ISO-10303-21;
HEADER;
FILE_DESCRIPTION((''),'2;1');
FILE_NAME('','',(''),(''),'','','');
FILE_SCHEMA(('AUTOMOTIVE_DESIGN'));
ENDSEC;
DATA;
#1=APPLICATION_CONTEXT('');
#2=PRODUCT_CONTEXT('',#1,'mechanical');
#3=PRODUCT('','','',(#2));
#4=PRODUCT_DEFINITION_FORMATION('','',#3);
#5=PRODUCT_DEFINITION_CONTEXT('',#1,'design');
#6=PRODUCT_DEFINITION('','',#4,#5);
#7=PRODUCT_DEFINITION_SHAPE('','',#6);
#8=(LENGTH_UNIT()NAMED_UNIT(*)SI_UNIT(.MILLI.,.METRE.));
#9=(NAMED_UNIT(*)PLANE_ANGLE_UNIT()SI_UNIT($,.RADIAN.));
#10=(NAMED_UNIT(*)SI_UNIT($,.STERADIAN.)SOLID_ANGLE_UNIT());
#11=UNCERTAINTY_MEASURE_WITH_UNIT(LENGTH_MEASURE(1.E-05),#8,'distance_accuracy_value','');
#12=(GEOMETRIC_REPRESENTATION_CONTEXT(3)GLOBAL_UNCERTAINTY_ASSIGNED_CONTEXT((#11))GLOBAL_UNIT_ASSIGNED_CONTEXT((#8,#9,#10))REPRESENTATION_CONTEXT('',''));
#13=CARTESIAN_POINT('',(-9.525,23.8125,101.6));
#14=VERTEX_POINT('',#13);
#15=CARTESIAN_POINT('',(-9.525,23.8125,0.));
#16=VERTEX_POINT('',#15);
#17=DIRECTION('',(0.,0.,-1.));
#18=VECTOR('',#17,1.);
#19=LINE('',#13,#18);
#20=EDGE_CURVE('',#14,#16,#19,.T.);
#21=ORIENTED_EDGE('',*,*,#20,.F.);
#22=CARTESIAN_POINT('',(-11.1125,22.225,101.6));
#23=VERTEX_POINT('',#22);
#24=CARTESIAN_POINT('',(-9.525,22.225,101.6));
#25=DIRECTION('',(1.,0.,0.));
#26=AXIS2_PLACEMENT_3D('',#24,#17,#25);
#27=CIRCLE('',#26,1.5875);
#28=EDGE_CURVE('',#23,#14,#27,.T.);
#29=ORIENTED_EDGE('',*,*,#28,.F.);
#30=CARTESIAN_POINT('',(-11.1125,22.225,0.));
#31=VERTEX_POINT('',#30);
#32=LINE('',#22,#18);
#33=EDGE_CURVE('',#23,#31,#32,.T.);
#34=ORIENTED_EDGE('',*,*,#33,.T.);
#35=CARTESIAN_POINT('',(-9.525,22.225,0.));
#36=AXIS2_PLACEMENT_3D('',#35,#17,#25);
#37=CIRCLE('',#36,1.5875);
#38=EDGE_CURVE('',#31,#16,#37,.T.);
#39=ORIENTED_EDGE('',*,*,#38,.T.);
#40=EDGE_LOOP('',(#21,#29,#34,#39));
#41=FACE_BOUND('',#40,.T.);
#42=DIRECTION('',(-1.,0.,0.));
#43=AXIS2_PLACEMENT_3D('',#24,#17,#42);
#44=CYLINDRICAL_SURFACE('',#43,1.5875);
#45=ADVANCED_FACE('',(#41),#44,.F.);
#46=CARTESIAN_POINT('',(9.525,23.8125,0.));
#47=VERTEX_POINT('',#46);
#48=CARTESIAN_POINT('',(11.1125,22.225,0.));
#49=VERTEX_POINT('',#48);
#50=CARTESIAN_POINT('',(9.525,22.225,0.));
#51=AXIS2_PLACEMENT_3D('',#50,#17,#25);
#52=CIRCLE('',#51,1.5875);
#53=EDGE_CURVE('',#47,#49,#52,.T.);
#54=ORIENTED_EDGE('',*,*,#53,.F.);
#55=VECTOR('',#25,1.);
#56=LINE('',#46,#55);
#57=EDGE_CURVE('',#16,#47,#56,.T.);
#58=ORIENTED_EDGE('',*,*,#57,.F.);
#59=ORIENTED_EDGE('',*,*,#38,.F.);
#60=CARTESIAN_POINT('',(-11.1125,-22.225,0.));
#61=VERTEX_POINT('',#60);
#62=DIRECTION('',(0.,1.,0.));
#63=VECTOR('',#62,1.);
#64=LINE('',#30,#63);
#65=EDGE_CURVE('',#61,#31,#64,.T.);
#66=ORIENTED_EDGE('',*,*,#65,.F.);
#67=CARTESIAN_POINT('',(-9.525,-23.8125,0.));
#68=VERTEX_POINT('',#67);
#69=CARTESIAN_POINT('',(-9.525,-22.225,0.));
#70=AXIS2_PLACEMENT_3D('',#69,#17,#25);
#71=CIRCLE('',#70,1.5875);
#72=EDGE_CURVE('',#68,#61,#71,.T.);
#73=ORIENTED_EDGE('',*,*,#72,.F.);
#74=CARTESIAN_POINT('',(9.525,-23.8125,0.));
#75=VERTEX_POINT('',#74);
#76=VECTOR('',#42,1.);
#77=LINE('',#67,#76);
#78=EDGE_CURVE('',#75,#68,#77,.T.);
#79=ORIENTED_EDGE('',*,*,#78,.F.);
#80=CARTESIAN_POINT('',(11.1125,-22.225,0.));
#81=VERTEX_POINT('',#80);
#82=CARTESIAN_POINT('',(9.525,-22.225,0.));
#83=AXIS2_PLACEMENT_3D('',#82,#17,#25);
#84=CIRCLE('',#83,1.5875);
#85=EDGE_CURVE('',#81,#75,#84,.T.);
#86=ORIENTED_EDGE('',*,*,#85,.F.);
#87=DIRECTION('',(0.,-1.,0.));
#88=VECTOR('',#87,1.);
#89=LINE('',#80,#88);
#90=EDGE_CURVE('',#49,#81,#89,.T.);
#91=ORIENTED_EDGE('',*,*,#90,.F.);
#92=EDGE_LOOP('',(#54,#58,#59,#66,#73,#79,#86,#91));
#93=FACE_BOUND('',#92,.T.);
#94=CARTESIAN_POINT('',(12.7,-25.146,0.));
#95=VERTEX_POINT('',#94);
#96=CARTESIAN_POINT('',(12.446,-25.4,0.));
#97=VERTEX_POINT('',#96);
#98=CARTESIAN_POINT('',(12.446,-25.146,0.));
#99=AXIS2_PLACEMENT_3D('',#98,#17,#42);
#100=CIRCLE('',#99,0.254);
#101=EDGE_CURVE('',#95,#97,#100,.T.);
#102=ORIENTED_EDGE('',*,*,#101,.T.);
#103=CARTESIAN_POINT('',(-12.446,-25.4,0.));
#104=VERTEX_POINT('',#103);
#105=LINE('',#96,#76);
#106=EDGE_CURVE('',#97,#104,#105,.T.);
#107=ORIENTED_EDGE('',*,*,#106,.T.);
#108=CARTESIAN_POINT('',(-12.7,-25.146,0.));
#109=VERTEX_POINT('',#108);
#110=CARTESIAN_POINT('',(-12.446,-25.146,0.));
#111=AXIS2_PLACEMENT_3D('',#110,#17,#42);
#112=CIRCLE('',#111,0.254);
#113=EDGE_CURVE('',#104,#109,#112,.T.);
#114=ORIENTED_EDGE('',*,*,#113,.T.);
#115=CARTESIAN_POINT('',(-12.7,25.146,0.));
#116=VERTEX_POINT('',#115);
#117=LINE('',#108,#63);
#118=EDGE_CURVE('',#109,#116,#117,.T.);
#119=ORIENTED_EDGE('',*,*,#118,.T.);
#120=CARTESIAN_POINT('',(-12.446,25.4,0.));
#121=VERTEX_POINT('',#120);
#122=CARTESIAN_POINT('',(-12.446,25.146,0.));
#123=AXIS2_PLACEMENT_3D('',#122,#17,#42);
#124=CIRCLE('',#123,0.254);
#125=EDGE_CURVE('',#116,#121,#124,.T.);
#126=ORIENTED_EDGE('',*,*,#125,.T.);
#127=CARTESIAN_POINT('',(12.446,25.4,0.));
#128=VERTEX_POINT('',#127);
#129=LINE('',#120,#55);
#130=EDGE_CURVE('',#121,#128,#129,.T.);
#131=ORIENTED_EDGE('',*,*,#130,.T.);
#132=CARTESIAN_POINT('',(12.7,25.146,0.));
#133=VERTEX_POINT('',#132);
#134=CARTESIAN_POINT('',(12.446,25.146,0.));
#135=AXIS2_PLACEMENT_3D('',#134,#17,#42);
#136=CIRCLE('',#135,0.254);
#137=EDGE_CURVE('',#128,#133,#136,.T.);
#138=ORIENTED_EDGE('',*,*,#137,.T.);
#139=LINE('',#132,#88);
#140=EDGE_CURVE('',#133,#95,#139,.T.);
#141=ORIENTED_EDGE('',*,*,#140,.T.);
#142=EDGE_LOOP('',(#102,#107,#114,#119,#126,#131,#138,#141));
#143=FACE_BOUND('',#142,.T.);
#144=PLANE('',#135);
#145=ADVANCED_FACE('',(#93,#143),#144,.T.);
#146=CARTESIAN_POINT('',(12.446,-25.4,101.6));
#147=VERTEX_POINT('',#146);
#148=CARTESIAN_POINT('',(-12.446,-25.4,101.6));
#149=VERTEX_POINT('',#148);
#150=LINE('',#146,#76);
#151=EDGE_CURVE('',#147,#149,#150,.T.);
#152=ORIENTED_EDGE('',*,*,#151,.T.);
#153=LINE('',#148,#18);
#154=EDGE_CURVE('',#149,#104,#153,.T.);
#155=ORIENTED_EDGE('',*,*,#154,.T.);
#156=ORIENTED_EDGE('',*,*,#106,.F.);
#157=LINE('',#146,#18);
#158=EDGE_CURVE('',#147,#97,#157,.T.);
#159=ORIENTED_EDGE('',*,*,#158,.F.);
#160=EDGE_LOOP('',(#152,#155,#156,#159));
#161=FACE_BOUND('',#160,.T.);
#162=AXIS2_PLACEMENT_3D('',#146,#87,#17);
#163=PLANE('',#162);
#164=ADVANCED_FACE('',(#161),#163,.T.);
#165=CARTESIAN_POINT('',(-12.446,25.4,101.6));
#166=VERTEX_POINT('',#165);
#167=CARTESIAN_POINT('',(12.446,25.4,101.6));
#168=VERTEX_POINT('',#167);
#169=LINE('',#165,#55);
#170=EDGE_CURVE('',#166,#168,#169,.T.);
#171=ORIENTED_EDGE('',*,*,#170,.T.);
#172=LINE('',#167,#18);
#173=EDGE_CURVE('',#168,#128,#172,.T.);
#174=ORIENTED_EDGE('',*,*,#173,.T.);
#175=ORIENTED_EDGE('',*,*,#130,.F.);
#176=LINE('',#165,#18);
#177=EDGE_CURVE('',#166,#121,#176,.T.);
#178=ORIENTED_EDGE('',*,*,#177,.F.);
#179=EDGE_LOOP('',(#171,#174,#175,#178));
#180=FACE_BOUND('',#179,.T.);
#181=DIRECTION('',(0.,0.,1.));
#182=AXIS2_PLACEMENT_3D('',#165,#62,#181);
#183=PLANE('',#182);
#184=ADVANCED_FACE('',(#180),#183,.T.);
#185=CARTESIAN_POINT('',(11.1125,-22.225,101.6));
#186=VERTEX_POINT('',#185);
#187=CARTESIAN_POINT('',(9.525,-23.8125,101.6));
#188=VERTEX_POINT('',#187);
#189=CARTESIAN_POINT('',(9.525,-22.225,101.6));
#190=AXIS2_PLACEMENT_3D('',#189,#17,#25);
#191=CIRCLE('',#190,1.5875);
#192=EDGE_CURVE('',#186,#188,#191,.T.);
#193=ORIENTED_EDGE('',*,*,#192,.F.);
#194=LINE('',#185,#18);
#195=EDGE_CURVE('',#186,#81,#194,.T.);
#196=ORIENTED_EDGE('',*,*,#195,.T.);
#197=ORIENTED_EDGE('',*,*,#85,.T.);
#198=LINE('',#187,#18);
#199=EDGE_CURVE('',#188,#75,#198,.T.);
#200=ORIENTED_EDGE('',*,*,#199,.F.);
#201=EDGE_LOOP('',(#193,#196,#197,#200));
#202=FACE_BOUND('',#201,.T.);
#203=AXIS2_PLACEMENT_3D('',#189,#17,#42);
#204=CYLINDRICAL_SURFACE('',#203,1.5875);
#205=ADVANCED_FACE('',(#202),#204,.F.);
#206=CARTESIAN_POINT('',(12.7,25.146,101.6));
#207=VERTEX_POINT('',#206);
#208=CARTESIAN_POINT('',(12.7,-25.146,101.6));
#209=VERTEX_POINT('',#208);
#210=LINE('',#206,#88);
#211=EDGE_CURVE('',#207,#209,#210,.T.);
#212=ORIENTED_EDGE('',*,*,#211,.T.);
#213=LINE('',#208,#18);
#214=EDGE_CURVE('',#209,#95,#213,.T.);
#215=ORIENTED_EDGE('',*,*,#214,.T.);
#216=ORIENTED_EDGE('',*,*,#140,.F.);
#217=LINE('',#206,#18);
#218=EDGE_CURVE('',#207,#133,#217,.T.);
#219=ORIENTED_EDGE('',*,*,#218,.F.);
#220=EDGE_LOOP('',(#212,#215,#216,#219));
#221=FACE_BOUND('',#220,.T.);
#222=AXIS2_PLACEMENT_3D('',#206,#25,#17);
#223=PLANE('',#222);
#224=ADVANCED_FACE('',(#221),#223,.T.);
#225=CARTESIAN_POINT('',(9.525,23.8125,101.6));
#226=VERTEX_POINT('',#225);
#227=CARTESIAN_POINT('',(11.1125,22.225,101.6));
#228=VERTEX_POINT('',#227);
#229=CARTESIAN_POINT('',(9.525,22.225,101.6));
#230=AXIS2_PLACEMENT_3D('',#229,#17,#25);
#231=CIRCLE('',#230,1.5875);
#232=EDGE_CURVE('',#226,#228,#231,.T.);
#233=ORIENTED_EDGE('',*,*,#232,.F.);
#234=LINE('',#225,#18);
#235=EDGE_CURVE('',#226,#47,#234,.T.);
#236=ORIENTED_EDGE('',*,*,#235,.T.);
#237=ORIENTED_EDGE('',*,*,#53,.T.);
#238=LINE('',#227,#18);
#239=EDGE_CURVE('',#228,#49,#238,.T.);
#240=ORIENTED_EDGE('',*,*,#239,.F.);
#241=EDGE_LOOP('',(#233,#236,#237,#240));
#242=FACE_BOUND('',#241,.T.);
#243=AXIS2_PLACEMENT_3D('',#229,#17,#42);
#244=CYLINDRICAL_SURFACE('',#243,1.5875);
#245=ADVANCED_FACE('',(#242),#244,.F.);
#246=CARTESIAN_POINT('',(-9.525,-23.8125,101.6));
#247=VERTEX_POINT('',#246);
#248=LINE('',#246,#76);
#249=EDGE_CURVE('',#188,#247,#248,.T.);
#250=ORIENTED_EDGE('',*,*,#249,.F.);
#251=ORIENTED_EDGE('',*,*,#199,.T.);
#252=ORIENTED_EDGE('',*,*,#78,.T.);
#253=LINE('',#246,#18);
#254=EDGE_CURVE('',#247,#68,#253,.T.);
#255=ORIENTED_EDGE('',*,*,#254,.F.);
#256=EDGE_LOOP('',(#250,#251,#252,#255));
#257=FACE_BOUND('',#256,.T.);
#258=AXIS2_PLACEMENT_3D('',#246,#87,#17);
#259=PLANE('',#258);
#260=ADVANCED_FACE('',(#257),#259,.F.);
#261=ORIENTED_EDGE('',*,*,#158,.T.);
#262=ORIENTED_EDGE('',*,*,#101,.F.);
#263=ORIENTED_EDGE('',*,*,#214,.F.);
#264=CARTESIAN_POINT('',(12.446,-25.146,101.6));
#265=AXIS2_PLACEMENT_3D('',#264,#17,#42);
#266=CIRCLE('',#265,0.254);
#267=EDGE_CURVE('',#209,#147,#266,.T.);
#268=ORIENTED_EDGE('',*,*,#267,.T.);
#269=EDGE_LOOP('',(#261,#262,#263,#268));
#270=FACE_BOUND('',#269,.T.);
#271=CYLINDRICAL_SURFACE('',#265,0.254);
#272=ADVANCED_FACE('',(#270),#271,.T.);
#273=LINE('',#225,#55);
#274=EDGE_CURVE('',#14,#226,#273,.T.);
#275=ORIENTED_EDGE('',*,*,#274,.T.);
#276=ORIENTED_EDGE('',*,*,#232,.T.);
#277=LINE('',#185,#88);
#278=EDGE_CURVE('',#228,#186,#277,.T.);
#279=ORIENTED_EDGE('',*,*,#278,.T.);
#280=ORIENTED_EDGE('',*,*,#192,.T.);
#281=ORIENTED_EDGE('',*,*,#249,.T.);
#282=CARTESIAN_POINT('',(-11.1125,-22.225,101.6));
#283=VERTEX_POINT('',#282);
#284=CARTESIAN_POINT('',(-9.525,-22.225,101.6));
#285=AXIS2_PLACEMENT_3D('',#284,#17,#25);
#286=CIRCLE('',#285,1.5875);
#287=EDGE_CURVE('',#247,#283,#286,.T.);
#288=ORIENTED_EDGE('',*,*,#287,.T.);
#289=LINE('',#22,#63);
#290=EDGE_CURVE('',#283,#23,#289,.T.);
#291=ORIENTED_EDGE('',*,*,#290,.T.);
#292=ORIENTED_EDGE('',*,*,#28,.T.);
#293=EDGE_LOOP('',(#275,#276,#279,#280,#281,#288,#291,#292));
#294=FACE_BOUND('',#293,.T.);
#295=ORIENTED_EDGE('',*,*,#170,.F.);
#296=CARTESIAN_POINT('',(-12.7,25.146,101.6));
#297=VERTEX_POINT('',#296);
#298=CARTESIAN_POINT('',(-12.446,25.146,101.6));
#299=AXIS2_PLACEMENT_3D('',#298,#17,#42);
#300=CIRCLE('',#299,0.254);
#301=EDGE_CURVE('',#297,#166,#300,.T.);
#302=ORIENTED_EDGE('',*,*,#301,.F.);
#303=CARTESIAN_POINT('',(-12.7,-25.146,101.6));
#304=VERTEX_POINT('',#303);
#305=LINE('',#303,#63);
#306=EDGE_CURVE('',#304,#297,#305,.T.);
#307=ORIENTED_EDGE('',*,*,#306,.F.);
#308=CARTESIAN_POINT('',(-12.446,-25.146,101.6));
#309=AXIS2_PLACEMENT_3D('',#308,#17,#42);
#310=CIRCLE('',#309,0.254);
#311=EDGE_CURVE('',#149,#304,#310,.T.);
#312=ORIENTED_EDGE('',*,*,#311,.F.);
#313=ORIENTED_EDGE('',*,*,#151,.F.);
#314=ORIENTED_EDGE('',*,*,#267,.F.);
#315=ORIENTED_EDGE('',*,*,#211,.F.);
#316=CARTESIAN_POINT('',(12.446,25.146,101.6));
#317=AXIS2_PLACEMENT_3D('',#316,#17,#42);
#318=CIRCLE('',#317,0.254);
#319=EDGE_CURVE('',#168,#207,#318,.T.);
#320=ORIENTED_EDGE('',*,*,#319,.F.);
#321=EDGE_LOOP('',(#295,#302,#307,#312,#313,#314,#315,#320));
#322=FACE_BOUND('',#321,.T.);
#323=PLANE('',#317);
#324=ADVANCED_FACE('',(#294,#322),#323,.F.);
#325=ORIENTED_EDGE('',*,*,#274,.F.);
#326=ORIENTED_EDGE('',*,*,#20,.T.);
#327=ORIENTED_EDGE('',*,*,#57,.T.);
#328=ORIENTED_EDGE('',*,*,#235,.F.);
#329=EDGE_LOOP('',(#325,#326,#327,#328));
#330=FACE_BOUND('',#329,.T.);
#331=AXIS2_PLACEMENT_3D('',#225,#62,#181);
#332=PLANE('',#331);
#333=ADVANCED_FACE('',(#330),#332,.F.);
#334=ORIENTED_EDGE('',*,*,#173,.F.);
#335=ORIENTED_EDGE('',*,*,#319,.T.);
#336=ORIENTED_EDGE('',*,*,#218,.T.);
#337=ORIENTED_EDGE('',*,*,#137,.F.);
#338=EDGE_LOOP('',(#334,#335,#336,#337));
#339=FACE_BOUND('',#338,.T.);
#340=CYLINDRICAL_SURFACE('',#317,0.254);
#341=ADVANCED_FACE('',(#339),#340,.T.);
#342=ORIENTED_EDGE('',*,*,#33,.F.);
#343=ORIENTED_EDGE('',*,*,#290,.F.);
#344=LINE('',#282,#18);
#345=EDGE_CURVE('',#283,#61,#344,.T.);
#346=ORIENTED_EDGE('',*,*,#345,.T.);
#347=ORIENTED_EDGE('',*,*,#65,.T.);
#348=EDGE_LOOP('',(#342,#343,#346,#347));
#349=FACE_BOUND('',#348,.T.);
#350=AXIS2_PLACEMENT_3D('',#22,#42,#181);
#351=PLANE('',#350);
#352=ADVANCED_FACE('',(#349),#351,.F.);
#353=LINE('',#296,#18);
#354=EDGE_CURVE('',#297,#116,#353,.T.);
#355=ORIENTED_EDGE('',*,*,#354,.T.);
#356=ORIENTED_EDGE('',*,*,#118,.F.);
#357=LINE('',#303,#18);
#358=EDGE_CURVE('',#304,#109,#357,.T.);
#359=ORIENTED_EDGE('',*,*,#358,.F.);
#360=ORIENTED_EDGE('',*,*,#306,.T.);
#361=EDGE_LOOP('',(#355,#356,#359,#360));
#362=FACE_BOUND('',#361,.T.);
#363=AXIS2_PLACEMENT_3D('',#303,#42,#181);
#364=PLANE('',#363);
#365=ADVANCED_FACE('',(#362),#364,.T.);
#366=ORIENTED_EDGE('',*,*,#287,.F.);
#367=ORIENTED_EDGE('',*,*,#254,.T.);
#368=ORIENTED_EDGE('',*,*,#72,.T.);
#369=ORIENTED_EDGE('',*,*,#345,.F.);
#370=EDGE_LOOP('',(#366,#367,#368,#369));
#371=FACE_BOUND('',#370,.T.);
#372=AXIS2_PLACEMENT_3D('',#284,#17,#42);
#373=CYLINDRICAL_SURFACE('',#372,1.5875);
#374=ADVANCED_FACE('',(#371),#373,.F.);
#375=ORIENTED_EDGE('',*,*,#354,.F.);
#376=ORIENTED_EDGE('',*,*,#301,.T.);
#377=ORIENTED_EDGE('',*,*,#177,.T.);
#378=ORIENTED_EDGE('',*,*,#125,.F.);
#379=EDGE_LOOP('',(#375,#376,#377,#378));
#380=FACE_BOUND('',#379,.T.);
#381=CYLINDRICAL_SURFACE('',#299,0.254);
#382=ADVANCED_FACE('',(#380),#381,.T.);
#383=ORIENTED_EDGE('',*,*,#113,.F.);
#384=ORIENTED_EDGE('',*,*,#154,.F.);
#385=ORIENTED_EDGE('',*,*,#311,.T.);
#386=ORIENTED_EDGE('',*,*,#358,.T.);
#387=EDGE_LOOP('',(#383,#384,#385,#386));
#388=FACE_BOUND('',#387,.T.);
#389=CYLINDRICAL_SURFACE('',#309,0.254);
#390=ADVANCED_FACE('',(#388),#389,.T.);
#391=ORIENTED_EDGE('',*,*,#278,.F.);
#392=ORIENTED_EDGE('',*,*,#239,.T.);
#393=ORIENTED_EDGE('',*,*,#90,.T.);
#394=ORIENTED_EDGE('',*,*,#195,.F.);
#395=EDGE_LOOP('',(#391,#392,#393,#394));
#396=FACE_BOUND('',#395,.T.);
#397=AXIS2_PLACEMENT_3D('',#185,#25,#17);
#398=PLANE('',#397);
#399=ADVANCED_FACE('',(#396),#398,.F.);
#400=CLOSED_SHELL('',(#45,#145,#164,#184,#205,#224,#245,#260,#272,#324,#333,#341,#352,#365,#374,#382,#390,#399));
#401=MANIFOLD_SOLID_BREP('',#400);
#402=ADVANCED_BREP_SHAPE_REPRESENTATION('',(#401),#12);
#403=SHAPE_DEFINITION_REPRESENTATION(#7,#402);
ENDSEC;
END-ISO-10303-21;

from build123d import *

# Parameters (mm, degrees)
BOSS_EXTRUDE1_DEPTH = 101.6


with BuildPart() as part:
    # Sketch1 → Boss-Extrude1 (new body)
    with BuildSketch(Plane(origin=(0, 0, 0), x_dir=(-1, 0, 0), z_dir=(0, 0, -1))):
        with BuildLine():
            Line((-12.7, 25.146), (-12.7, -25.146))
            ThreePointArc((-12.7, -25.146), (-12.625605122, -25.325605122), (-12.446, -25.4))
            Line((-12.446, -25.4), (12.446, -25.4))
            ThreePointArc((12.446, -25.4), (12.625605122, -25.325605122), (12.7, -25.146))
            Line((12.7, -25.146), (12.7, 25.146))
            ThreePointArc((12.7, 25.146), (12.625605122, 25.325605122), (12.446, 25.4))
            Line((12.446, 25.4), (-12.446, 25.4))
            ThreePointArc((-12.446, 25.4), (-12.625605122, 25.325605122), (-12.7, 25.146))
        make_face()
        with BuildLine():
            Line((-11.1125, -22.225), (-11.1125, 22.225))
            ThreePointArc((-11.1125, 22.225), (-10.647532015, 23.347532015), (-9.525, 23.8125))
            Line((-9.525, 23.8125), (9.525, 23.8125))
            ThreePointArc((9.525, 23.8125), (10.647532015, 23.347532015), (11.1125, 22.225))
            Line((11.1125, 22.225), (11.1125, -22.225))
            ThreePointArc((11.1125, -22.225), (10.647532015, -23.347532015), (9.525, -23.8125))
            Line((9.525, -23.8125), (-9.525, -23.8125))
            ThreePointArc((-9.525, -23.8125), (-10.647532015, -23.347532015), (-11.1125, -22.225))
        make_face(mode=Mode.SUBTRACT)
    extrude(amount=-BOSS_EXTRUDE1_DEPTH)


solid = part.part
